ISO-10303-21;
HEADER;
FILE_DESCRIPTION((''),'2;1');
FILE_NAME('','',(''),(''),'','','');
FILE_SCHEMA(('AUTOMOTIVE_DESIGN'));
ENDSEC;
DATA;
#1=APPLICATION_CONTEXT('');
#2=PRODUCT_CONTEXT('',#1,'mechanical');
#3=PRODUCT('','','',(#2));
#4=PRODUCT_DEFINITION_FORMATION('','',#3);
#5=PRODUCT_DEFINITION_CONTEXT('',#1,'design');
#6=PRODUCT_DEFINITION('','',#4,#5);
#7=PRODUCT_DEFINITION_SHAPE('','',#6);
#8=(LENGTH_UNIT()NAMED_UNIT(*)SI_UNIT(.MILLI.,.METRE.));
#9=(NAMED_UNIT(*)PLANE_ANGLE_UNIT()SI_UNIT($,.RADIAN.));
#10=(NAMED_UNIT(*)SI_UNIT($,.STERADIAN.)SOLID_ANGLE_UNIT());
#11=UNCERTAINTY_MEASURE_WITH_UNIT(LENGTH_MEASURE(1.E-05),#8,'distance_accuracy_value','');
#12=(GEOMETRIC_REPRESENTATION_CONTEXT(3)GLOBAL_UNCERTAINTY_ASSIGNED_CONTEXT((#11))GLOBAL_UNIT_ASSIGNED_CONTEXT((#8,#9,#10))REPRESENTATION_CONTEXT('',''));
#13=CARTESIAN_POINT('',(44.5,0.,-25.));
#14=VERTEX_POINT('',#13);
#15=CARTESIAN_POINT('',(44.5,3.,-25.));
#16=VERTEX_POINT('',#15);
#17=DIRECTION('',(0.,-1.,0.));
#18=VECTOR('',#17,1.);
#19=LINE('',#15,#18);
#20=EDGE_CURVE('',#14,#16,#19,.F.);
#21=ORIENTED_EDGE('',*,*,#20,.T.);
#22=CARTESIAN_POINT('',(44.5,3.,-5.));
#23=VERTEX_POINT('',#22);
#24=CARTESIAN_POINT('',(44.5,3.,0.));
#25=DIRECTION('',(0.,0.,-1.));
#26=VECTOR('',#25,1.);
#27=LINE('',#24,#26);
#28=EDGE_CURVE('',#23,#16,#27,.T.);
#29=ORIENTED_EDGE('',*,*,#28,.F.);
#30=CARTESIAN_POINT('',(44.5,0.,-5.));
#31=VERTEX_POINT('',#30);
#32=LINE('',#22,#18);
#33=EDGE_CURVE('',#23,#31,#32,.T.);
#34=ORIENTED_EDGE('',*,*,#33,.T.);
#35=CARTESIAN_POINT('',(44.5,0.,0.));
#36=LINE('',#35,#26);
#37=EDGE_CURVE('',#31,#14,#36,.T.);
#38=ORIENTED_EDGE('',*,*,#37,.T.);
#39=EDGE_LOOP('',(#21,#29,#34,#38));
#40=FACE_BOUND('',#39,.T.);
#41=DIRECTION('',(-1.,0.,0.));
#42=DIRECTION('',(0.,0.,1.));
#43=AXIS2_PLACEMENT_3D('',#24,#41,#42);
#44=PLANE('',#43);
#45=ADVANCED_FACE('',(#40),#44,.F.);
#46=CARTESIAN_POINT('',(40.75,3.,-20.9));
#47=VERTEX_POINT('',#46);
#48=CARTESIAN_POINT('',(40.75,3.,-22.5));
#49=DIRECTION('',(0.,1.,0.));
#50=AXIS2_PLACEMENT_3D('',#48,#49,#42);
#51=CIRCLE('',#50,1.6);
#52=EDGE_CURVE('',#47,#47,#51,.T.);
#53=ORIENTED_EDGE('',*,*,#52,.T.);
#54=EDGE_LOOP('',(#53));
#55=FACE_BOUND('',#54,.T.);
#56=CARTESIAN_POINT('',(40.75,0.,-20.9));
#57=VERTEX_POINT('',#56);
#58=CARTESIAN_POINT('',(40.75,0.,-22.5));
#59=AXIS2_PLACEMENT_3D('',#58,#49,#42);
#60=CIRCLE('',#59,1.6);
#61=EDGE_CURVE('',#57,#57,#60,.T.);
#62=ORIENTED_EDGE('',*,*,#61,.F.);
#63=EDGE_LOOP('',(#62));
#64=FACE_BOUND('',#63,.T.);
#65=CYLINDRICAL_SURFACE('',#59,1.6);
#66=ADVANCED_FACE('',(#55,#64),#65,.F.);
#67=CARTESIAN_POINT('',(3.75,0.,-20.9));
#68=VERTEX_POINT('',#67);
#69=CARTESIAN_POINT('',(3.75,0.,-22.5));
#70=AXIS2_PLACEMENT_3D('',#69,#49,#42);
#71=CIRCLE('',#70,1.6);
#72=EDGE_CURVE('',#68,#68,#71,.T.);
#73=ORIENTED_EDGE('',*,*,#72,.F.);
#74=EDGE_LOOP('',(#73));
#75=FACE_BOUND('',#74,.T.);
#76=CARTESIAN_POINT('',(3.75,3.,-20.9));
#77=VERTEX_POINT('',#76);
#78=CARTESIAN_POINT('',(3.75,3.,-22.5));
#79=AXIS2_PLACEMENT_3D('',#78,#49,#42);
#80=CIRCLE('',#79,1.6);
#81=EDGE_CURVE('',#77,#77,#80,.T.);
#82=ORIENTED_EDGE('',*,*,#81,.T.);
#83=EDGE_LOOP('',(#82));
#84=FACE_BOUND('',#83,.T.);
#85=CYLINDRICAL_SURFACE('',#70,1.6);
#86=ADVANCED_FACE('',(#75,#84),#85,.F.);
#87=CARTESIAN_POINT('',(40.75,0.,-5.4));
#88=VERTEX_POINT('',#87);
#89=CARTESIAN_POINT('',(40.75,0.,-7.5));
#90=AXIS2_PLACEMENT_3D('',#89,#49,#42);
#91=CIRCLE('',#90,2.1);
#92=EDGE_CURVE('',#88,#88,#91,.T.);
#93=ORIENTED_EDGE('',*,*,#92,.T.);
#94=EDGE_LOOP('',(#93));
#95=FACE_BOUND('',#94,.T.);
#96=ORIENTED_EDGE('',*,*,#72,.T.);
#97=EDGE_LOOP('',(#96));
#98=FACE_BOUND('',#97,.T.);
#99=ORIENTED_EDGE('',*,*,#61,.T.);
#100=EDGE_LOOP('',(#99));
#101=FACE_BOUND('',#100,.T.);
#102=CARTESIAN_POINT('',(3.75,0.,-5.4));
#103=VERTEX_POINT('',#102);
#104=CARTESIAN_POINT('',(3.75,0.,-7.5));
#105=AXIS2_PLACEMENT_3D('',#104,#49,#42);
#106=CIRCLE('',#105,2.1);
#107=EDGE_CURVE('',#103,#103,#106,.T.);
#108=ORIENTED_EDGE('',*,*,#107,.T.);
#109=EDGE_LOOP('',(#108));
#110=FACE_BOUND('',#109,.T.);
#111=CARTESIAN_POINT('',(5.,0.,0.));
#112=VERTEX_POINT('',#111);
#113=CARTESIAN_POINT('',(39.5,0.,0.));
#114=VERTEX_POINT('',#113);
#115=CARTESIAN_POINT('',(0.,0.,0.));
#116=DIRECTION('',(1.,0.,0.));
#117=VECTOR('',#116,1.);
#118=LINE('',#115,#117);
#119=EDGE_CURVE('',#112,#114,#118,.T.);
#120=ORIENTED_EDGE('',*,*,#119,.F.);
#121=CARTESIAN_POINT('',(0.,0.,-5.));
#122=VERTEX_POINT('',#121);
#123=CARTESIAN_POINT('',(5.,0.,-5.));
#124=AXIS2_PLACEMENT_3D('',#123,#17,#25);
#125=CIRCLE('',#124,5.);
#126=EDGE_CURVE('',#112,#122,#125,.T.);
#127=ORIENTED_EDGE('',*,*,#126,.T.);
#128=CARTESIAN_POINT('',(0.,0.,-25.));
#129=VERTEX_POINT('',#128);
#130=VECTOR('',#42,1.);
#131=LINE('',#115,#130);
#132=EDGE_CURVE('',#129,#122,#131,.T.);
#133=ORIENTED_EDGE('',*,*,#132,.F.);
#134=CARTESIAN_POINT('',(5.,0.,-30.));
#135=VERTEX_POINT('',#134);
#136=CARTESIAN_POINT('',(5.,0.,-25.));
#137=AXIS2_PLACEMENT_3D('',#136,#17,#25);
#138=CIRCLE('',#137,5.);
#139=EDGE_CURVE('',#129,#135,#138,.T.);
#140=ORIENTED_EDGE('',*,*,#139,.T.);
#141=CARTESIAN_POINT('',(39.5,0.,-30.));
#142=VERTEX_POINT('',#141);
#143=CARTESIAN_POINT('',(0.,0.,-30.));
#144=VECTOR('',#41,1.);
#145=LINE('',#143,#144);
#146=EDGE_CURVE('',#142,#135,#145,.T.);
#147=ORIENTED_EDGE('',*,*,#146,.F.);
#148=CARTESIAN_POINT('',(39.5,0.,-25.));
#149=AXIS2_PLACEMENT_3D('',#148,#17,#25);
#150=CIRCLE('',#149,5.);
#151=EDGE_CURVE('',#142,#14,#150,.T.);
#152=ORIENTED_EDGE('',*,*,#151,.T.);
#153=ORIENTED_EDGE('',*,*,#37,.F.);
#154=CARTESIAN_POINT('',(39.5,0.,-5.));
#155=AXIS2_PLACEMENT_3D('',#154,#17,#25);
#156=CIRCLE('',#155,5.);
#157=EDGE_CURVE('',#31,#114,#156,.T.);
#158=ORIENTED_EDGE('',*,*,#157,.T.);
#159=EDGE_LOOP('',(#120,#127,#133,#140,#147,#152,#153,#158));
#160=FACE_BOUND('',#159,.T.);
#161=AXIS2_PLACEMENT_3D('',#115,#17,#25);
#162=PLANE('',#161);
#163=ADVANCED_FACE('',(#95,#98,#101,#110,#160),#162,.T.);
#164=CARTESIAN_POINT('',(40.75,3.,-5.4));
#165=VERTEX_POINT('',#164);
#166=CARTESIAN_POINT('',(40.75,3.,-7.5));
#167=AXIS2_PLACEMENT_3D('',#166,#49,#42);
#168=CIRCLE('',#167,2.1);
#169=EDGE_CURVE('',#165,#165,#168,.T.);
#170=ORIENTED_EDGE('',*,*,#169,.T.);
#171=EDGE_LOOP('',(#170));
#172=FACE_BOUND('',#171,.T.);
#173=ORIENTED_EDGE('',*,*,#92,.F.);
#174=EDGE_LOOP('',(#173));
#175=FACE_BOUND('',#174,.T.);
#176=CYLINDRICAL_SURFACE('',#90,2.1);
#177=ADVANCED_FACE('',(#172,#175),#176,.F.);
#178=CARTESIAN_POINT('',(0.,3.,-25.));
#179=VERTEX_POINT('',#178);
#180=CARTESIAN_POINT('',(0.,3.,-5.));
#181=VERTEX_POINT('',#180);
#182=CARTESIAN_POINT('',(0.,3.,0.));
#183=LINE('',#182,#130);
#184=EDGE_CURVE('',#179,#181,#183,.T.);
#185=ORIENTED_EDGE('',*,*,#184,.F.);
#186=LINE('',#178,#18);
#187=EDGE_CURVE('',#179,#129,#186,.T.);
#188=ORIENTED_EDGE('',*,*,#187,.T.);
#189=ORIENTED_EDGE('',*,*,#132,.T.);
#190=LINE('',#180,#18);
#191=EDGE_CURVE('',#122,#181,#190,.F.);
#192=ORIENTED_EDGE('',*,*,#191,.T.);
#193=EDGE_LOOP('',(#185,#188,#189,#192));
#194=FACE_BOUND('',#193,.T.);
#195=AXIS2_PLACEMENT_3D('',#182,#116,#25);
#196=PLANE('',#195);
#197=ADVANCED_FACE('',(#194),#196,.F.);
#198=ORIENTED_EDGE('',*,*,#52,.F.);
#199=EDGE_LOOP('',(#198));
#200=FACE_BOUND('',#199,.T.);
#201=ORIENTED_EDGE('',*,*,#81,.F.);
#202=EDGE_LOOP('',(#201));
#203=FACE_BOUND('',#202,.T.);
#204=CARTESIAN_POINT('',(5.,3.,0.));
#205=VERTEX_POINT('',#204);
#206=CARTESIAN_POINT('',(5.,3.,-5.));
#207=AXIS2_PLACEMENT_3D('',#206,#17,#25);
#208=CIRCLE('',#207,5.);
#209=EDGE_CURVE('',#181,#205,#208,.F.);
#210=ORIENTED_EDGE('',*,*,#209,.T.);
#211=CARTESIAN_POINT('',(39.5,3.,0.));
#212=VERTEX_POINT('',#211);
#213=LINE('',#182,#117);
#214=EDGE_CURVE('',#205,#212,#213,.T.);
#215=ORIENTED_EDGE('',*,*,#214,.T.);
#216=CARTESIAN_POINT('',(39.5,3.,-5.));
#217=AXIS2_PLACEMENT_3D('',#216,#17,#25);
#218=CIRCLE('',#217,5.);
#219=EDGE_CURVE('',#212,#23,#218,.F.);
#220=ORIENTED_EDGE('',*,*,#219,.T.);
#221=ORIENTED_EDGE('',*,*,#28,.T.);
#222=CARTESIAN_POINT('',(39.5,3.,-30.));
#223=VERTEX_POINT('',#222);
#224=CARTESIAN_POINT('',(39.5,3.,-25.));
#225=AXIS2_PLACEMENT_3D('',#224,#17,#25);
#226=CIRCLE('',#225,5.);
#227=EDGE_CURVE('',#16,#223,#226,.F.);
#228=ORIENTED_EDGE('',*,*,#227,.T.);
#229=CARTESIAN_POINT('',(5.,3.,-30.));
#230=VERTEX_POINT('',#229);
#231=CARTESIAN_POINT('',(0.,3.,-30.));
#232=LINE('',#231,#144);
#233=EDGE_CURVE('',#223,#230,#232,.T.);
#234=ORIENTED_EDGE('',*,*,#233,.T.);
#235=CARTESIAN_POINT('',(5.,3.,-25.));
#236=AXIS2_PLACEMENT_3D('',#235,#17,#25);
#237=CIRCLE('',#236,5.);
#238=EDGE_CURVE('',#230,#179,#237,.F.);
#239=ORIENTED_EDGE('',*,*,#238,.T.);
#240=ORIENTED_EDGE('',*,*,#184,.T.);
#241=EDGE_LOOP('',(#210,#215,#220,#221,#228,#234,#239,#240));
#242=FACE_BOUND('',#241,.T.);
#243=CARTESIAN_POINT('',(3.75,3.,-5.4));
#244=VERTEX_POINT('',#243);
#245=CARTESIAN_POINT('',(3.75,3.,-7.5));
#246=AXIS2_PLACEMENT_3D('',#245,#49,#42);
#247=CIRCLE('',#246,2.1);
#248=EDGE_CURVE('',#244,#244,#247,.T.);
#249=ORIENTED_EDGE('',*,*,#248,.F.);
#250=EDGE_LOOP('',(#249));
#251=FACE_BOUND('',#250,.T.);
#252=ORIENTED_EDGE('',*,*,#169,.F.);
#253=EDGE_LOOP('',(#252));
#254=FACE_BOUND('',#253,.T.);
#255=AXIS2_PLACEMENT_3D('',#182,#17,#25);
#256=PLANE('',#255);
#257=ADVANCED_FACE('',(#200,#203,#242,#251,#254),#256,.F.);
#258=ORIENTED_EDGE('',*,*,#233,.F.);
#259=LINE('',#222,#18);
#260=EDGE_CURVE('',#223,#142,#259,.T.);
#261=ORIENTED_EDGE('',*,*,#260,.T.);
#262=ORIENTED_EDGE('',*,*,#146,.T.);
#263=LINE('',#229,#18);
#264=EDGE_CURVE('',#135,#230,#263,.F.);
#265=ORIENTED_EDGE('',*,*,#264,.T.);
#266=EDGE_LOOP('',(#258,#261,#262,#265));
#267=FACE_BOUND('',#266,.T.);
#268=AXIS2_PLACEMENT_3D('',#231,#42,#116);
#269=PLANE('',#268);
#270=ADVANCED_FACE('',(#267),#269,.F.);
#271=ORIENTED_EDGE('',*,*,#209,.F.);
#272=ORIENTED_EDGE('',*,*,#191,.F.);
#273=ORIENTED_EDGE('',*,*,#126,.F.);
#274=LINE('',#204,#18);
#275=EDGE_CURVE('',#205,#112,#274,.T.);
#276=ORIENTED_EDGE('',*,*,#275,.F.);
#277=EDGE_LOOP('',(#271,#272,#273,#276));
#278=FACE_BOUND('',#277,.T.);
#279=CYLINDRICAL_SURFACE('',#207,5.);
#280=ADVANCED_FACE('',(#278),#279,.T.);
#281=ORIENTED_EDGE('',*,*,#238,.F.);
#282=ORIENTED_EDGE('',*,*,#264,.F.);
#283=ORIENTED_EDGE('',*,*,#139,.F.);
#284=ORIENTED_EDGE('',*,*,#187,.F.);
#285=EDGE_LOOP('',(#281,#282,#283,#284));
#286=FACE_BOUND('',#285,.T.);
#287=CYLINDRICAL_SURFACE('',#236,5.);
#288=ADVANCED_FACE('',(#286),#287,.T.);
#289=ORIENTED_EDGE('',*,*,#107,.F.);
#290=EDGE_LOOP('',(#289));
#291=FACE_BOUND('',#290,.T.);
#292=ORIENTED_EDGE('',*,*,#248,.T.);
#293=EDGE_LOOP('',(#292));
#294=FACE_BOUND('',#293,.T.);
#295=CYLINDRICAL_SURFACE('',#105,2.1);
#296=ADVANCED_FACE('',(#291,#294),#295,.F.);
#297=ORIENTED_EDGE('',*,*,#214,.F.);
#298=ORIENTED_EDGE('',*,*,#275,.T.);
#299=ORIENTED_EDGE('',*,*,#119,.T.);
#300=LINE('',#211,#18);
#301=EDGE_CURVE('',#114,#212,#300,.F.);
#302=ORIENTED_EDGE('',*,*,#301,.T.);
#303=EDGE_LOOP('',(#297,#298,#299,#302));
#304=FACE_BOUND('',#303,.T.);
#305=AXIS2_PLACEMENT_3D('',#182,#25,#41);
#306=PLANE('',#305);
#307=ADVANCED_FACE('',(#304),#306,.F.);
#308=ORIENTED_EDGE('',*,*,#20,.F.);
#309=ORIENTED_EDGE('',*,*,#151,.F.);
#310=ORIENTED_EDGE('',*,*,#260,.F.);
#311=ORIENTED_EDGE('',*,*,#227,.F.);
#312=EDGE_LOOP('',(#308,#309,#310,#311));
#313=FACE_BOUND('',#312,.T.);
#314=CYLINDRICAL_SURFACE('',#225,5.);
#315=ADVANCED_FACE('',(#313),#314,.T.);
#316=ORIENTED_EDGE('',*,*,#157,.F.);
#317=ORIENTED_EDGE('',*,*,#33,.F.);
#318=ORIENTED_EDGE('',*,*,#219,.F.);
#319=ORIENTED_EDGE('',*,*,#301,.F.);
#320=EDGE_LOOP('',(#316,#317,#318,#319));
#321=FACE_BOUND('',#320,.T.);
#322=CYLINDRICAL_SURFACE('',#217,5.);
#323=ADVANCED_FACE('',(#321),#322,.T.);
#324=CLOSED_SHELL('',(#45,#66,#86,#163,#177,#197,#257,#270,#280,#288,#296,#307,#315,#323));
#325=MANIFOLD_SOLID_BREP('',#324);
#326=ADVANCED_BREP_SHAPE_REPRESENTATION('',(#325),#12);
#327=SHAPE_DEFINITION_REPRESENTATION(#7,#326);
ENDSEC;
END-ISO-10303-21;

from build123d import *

# Parameters (mm, degrees)
SKETCH_1_W          = 44.5
SKETCH_1_H          = 30
EXTRUDE_1_DEPTH     = 3
SKETCH_2_R          = 1.6
SKETCH_2_R_2        = 2.1
CUT_EXTRUDE_1_DEPTH = 3
FILLET_1_R          = 5


with BuildPart() as part:
    # ｽｹｯﾁ1 → ﾎﾞｽ - 押し出し1 (new body)
    with BuildSketch(Plane(origin=(0, 0, 0), x_dir=(1, 0, 0), z_dir=(0, 1, 0))):
        with Locations((22.25, 15)):
            Rectangle(SKETCH_1_W, SKETCH_1_H)
    extrude(amount=EXTRUDE_1_DEPTH)

    # ｽｹｯﾁ2 → ｶｯﾄ - 押し出し1 (cut)
    with BuildSketch(Plane(origin=(0, 3, 0), x_dir=(1, 0, 0), z_dir=(0, 1, 0))):
        with Locations((3.75, 22.5)):
            Circle(SKETCH_2_R)
        with Locations((40.75, 22.5)):
            Circle(SKETCH_2_R)
        with Locations((3.75, 7.5)):
            Circle(SKETCH_2_R_2)
        with Locations((40.75, 7.5)):
            Circle(SKETCH_2_R_2)
    extrude(amount=-CUT_EXTRUDE_1_DEPTH, mode=Mode.SUBTRACT)

    # ﾌｨﾚｯﾄ1
    fillet_1_edges = [part.edges().sort_by_distance(p)[0] for p in [
        (0, 1.5, -30),
        (44.5, 1.5, -30),
        (44.5, 1.5, 0),
        (0, 1.5, 0),
    ]]
    fillet(fillet_1_edges, radius=FILLET_1_R)


solid = part.part
